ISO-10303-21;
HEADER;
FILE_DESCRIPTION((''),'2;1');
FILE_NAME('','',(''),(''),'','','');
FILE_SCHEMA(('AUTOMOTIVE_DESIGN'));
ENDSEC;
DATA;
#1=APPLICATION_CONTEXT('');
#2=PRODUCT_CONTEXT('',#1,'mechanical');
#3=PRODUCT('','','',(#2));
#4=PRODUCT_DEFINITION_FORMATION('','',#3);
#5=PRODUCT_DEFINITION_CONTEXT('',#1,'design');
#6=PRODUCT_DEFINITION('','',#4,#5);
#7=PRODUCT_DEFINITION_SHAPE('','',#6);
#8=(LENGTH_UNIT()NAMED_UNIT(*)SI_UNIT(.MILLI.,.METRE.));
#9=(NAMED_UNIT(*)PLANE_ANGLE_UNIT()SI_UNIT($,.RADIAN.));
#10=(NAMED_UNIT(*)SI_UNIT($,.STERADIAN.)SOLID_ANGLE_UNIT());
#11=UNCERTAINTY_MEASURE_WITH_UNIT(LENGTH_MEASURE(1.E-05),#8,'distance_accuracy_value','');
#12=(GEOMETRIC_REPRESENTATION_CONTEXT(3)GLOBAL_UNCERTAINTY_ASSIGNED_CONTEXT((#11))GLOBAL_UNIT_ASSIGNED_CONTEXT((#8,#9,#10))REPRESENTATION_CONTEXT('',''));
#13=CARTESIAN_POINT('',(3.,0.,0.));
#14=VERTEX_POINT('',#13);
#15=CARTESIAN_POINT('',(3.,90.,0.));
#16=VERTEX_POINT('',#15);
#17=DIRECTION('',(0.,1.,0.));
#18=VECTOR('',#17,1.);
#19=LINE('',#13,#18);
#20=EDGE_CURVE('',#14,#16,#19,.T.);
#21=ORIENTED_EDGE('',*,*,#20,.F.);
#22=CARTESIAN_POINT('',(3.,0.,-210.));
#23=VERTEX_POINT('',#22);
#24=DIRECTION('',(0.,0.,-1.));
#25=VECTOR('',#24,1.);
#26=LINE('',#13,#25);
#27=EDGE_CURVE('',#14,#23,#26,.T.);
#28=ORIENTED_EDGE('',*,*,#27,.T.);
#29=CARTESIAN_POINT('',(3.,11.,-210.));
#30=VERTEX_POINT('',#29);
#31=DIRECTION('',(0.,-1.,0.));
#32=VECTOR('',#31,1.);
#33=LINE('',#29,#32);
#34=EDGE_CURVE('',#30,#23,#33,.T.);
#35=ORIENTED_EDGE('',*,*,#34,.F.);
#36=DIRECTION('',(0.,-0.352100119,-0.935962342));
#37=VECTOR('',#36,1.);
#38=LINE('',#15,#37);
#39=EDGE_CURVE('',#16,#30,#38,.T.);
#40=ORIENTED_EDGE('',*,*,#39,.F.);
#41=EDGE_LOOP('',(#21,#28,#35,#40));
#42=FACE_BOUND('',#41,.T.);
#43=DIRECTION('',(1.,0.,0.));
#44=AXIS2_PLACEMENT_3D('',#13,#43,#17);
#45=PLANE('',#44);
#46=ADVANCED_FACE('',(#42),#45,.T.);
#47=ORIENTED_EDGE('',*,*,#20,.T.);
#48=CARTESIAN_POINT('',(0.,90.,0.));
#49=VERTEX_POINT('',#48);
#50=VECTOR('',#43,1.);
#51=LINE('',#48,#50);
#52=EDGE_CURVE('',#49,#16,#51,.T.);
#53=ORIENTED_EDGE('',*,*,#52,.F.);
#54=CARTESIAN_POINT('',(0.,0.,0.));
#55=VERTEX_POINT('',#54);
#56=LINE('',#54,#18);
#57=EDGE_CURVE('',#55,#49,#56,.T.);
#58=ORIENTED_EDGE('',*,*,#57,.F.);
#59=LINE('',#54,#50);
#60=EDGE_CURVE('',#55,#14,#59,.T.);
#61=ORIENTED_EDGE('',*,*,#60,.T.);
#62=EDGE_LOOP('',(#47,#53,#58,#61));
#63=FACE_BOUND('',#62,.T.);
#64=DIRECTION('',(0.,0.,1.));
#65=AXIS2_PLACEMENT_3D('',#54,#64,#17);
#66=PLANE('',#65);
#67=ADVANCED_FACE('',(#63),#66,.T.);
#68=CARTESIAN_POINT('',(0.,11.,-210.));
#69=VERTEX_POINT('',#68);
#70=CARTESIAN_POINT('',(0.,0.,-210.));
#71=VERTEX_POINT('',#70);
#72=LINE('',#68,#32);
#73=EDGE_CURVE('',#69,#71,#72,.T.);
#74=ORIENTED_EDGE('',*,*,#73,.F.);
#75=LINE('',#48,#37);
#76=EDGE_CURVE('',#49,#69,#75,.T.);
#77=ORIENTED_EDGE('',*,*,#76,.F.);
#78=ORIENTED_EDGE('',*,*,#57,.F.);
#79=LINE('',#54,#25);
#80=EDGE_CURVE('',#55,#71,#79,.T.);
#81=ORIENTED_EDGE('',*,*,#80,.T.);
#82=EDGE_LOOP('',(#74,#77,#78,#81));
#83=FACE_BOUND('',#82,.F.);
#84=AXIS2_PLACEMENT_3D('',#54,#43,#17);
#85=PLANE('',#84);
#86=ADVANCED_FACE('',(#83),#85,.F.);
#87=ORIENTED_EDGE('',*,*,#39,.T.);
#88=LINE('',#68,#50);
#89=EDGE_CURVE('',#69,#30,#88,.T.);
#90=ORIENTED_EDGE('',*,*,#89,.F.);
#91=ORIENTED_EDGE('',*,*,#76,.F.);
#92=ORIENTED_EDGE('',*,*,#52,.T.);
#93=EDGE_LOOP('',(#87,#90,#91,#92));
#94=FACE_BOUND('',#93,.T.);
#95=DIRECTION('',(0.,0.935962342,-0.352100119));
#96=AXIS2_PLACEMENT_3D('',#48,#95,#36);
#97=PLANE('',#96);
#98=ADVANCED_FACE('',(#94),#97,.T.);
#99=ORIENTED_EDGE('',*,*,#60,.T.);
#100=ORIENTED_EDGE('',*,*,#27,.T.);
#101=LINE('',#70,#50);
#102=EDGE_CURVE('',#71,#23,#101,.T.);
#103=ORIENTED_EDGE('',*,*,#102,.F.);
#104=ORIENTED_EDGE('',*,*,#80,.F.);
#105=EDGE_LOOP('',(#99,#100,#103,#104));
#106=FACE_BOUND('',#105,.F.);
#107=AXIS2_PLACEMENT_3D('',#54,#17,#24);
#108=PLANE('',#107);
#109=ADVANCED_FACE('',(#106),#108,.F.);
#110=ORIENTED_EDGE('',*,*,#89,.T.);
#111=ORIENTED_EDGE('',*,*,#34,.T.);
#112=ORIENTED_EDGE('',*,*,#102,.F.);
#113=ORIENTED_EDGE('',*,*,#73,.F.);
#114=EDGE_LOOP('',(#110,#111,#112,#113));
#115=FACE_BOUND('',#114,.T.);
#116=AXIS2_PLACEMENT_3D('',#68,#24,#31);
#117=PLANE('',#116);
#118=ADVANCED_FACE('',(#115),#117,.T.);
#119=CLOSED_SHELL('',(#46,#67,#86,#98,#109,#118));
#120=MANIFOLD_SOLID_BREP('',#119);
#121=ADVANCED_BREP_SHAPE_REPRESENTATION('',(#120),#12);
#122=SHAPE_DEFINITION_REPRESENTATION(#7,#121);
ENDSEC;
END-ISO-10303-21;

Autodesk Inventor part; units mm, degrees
ref_plane "YZ Plane" through (0, 0, 0) normal (1, 0, 0) x (0, 1, 0)
ref_plane "XZ Plane" through (0, 0, 0) normal (0, 1, 0) x (-1, 0, 0)
ref_plane "XY Plane" through (0, 0, 0) normal (0, 0, 1) x (1, 0, 0)
sketch "Esquisse1" plane through (0, 0, 0) normal (1, 0, 0) x (0, 1, 0)
  line L0 (0, 0) -> (0, -210)
  line L1 (0, 0) -> (90, 0)
  line L2 (90, 0) -> (11, -210)
  line L3 (11, -210) -> (0, -210)
  dimension "d0" = 210
  dimension "d1" = 90
  dimension "d2" = 11
extrude "Extrusion1" add sketch "Esquisse1" along normal blind 3
properties part number "cotelink"
